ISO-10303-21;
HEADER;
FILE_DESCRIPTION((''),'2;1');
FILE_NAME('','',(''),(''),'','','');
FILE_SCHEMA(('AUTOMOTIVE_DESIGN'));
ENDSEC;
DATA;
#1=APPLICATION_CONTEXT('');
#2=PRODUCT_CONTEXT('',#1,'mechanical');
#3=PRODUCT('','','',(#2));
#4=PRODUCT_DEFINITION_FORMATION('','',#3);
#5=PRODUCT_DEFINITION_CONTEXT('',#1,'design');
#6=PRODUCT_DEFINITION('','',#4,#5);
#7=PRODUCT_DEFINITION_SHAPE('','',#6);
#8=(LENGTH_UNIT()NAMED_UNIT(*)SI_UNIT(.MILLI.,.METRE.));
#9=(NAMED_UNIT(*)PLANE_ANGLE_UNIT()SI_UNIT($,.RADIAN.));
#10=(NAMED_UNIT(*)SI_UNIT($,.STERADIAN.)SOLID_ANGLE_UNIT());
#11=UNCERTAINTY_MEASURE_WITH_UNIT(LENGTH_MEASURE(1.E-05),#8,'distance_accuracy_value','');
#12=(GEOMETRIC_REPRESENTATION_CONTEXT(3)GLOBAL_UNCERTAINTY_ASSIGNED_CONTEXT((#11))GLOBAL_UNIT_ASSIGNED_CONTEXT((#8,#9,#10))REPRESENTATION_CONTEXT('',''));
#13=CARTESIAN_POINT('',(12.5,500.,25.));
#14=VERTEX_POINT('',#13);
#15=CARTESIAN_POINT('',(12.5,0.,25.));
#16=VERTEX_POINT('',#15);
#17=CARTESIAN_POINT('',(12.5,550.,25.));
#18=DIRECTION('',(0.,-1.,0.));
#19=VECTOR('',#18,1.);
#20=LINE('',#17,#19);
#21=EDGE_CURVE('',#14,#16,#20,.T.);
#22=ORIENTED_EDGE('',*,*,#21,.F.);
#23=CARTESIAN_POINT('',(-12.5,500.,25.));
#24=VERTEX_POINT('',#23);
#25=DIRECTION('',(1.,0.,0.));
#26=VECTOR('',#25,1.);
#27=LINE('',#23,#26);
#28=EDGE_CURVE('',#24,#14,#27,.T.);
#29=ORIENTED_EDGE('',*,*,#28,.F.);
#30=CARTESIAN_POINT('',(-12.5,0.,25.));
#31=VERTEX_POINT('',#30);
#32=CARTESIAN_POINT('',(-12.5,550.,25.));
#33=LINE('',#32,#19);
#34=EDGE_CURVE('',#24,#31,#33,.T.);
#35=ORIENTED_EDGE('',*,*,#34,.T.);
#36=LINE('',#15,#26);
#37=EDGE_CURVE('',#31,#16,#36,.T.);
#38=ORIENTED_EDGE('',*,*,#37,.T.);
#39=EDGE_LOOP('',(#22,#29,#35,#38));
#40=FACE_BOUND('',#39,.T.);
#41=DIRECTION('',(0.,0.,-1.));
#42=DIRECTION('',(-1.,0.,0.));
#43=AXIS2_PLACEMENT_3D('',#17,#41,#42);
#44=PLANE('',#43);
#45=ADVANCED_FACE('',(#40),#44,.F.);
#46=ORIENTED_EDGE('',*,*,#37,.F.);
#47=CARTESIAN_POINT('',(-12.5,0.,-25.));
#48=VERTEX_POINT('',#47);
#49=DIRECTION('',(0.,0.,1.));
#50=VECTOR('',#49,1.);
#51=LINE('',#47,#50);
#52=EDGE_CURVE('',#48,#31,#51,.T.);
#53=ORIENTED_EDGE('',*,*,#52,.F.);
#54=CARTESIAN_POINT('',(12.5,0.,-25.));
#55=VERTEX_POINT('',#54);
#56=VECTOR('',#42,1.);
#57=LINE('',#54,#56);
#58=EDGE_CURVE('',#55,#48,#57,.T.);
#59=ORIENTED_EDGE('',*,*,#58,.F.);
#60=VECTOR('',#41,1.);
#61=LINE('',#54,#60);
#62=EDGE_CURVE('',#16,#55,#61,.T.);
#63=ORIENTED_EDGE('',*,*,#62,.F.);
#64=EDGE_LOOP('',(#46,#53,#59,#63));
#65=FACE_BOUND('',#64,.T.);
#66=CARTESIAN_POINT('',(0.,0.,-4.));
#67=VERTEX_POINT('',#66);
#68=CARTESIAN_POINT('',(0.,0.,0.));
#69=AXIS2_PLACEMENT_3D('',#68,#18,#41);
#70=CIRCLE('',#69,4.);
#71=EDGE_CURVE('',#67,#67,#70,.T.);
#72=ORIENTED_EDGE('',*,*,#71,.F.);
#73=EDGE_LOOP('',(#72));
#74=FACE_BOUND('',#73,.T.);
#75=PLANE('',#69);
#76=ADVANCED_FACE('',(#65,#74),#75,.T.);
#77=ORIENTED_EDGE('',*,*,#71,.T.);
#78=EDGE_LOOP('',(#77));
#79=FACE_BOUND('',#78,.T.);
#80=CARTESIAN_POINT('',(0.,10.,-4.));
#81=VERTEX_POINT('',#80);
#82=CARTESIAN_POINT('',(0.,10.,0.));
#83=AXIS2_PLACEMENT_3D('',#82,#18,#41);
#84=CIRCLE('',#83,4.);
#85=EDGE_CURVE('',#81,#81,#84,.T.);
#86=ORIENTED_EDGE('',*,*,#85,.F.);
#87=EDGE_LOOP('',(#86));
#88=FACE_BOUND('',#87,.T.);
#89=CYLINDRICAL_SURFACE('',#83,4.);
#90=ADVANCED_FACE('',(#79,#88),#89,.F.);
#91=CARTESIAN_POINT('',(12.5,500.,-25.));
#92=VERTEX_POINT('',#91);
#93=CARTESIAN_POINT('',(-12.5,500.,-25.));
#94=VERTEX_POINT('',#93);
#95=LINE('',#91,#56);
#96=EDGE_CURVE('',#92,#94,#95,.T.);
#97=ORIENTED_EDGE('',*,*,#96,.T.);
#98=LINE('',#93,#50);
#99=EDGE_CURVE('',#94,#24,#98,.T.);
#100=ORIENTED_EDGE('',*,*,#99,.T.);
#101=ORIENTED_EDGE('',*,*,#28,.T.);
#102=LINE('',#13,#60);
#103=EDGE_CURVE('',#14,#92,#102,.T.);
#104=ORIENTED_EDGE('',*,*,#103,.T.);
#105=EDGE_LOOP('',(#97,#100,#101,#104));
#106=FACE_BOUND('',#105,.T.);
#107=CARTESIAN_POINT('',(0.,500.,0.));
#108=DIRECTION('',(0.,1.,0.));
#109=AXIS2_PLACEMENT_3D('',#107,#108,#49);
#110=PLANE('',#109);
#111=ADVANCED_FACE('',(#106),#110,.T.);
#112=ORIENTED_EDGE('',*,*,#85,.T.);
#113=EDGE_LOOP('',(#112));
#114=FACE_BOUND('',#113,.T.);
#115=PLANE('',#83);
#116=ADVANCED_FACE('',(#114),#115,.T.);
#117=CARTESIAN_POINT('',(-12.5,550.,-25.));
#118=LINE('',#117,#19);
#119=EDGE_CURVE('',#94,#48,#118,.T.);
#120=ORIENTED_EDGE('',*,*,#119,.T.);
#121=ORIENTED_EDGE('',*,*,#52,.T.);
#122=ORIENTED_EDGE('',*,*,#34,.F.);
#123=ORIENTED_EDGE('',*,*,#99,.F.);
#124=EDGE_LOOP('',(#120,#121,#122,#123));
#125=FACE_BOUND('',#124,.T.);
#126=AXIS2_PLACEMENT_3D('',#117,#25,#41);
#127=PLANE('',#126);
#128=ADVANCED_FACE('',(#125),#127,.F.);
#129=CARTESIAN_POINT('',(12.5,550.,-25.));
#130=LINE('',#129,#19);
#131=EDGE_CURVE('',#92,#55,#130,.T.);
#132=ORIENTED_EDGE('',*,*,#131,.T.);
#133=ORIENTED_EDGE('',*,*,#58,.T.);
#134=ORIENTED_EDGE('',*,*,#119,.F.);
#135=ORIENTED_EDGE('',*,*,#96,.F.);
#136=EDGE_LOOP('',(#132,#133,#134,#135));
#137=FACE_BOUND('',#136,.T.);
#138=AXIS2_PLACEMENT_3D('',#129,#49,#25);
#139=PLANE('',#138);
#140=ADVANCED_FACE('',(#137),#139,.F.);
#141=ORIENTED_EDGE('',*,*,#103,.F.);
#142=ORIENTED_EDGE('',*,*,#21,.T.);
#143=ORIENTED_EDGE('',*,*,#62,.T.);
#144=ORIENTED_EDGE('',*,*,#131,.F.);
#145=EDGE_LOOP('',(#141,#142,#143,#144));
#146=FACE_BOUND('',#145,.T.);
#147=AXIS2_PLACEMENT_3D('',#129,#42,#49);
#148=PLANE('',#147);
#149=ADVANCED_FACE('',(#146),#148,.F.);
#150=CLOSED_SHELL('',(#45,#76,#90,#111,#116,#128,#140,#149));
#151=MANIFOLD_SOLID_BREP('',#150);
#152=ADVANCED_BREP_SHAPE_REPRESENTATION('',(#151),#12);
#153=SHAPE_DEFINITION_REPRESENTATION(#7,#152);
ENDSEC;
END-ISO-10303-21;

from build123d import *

# Parameters (mm, degrees)
SKETCH_1_W          = 25
SKETCH_1_H          = 50
EXTRUDE_1_DEPTH     = 550
SKETCH_2_R          = 4
CUT_EXTRUDE_1_DEPTH = 10
CUT_EXTRUDE_START   = -10
SKETCH_3_R          = 4
CUT_EXTRUDE_2_DEPTH = 10
SKETCH_4_W          = 25
SKETCH_4_H          = 50
CUT_EXTRUDE_3_DEPTH = 50


with BuildPart() as part:
    # Эскиз1 → Бобышка-Вытянуть1 (new body)
    with BuildSketch(Plane(origin=(0, 0, 0), x_dir=(1, 0, 0), z_dir=(0, 1, 0))):
        Rectangle(SKETCH_1_W, SKETCH_1_H)
    extrude(amount=EXTRUDE_1_DEPTH)

    # Эскиз2 → Вырез-Вытянуть1 (cut)
    with BuildSketch(Plane(origin=(0, 550, 0), x_dir=(1, 0, 0), z_dir=(0, 1, 0))):
        with Locations(Location((0, 0, 0), (0, 0, 270))):
            Circle(SKETCH_2_R)
    extrude(amount=-CUT_EXTRUDE_1_DEPTH, mode=Mode.SUBTRACT)

    # Эскиз3 → Вырез-Вытянуть2 (cut)
    with BuildSketch(Plane.XZ.offset(CUT_EXTRUDE_START)):
        with Locations(Location((0, 0, 0), (0, 0, 90))):
            Circle(SKETCH_3_R)
    extrude(amount=CUT_EXTRUDE_2_DEPTH, mode=Mode.SUBTRACT)

    # Эскиз4 → Вырез-Вытянуть3 (cut)
    with BuildSketch(Plane(origin=(0, 550, 0), x_dir=(1, 0, 0), z_dir=(0, 1, 0))):
        Rectangle(SKETCH_4_W, SKETCH_4_H)
    extrude(amount=-CUT_EXTRUDE_3_DEPTH, mode=Mode.SUBTRACT)


solid = part.part
